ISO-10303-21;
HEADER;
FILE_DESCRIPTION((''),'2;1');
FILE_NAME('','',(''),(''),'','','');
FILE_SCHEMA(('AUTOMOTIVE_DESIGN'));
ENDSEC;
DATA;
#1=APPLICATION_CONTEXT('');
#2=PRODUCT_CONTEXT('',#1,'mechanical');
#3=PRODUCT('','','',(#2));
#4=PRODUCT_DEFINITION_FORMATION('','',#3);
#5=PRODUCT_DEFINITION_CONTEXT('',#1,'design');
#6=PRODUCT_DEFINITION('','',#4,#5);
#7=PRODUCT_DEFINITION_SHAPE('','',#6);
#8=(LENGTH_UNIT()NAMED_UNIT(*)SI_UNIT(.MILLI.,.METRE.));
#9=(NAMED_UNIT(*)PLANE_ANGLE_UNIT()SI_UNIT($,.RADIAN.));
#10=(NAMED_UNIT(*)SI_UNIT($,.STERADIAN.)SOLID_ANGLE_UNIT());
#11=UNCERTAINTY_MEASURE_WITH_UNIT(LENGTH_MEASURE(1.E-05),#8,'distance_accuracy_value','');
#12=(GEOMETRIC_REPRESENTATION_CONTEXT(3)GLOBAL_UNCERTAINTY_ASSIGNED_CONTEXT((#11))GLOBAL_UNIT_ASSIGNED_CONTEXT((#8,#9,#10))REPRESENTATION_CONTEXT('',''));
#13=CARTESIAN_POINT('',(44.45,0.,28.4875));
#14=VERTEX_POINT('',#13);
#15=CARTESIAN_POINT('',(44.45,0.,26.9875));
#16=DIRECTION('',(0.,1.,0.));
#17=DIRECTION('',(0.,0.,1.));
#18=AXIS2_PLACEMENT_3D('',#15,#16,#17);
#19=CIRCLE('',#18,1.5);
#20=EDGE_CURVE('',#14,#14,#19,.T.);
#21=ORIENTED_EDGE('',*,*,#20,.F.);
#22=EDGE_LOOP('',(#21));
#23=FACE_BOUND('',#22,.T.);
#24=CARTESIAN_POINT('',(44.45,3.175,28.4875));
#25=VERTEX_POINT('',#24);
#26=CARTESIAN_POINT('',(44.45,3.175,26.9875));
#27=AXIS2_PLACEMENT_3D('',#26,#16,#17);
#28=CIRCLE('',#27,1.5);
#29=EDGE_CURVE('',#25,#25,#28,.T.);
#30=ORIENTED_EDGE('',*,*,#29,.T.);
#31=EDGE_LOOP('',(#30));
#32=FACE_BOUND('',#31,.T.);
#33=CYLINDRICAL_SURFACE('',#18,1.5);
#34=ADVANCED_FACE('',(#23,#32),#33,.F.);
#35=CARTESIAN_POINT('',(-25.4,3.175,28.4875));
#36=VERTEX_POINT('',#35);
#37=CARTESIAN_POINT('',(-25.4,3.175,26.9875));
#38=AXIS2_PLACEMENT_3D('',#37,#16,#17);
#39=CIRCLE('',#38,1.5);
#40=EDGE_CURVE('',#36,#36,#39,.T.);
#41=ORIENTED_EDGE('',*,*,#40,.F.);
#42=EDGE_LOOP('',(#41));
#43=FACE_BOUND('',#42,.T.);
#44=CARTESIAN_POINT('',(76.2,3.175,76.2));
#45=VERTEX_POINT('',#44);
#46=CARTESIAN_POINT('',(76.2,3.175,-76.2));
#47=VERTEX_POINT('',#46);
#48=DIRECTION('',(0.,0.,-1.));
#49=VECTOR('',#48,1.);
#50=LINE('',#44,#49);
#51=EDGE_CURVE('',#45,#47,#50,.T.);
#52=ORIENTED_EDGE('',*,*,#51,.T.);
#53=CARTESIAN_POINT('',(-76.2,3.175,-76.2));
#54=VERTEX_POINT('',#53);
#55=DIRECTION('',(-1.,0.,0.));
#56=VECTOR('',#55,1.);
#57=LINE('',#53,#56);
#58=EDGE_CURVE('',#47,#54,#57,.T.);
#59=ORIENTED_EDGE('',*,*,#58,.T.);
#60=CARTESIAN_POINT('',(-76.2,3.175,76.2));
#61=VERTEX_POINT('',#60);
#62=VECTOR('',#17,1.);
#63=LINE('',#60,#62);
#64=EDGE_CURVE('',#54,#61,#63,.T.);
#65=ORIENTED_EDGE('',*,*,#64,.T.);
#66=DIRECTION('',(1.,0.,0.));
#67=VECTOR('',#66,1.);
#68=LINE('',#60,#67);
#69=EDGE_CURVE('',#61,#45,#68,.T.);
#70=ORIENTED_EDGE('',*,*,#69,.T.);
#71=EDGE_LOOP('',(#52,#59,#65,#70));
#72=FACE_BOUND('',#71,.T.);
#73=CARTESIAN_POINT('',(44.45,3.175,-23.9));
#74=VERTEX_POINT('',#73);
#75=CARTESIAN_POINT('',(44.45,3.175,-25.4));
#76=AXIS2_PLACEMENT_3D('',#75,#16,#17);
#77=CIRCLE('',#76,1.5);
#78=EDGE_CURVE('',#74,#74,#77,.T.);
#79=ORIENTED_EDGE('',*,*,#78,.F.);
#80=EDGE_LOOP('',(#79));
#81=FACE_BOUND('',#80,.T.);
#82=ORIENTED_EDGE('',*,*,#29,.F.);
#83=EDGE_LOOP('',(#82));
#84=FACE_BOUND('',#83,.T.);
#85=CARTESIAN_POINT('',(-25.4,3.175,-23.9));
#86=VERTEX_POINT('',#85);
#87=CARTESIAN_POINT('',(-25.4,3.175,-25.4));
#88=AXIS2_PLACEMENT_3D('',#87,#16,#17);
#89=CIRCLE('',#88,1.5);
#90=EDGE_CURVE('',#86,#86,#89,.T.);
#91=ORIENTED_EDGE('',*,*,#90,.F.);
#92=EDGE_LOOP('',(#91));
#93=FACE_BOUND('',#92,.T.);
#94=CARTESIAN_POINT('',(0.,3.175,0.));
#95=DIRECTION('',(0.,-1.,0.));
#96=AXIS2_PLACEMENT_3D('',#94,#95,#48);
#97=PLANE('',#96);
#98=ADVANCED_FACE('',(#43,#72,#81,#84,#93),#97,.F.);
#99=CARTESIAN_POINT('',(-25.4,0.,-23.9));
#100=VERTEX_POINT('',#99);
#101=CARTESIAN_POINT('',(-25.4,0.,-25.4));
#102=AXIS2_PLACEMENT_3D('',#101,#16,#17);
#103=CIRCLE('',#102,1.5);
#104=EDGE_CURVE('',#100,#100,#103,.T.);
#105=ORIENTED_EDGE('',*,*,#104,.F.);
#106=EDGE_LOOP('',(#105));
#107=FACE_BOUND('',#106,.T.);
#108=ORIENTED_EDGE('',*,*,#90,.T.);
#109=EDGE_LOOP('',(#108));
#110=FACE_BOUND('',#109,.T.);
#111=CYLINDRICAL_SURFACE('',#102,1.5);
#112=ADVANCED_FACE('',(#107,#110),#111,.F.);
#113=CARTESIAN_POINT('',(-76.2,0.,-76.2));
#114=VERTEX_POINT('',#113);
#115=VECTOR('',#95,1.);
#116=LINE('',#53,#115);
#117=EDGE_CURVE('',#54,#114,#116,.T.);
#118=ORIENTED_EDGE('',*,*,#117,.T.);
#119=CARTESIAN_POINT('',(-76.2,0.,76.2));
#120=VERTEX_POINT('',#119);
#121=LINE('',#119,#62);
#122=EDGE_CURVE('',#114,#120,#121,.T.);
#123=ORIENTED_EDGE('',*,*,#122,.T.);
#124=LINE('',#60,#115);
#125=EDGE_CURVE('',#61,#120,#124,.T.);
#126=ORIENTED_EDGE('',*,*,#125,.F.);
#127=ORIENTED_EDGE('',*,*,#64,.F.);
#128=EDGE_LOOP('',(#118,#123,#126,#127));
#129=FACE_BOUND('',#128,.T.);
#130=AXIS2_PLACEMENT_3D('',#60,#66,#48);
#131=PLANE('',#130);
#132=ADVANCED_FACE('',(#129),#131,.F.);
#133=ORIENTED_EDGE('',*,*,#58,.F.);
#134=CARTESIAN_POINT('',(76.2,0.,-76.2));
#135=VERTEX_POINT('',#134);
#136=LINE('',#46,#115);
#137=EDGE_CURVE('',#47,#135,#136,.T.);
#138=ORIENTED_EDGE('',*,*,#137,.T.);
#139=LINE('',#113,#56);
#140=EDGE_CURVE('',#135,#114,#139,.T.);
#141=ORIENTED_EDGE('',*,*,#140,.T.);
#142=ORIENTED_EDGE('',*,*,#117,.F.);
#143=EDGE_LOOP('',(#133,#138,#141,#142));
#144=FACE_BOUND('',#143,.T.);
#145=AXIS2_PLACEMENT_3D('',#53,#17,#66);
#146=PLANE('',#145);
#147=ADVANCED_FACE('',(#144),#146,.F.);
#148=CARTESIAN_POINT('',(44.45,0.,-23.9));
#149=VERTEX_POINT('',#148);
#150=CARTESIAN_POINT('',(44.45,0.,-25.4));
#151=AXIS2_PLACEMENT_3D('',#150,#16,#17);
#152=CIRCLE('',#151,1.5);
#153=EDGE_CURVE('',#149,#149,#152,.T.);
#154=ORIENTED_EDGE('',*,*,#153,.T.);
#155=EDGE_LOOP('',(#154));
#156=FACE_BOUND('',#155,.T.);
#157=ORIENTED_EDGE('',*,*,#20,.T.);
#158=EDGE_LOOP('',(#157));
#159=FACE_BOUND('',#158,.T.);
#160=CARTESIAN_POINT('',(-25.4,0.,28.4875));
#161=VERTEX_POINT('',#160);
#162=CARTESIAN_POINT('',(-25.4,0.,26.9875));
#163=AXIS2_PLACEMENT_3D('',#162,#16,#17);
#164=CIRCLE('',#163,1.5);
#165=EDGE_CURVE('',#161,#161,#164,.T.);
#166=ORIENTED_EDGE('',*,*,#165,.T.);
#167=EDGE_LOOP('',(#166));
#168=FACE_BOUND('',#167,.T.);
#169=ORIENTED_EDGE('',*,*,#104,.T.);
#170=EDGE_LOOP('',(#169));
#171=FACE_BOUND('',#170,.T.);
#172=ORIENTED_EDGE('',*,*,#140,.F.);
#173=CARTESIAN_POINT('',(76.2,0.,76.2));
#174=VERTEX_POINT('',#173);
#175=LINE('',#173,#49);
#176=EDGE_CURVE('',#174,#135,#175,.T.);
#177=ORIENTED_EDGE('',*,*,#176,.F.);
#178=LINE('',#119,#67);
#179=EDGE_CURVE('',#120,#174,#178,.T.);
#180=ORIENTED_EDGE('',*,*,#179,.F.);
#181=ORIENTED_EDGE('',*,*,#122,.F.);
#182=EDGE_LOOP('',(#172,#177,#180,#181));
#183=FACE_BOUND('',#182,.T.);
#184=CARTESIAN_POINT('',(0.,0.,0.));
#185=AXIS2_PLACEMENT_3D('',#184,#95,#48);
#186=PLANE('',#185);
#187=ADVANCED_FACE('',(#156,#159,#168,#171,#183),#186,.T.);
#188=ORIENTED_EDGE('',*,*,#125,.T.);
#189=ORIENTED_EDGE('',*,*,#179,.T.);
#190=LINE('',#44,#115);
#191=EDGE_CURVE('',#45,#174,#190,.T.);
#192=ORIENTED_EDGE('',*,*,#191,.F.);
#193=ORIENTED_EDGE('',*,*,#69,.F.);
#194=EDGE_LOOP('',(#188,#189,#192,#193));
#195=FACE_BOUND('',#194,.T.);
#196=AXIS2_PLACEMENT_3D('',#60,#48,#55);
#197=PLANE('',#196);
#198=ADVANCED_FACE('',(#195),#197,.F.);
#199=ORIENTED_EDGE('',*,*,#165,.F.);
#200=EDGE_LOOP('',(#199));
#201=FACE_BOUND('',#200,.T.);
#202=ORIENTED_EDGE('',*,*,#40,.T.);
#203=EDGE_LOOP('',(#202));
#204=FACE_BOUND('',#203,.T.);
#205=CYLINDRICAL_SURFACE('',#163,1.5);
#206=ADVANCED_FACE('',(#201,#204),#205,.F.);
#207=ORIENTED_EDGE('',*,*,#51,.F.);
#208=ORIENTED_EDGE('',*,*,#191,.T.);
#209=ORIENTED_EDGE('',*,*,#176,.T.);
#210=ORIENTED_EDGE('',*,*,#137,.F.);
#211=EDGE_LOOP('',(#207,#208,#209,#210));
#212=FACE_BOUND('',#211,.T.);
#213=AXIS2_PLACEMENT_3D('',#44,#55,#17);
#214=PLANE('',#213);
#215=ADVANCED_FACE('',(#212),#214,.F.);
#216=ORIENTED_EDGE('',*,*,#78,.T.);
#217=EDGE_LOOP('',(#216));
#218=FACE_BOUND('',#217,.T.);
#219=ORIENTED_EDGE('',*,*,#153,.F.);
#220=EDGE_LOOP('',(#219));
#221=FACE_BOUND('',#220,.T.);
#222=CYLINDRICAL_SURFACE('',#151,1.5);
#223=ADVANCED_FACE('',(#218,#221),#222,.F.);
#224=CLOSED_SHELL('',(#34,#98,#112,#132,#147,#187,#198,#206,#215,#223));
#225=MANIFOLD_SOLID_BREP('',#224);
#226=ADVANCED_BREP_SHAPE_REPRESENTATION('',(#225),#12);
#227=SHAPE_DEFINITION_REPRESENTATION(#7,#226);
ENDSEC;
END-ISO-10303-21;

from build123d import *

# Parameters (mm, degrees)
SKETCH1_W           = 152.4
SKETCH1_H           = 152.4
BOSS_EXTRUDE1_DEPTH = 3.175
SKETCH2_R           = 1.5
CUT_EXTRUDE1_DEPTH  = 108.809835474


with BuildPart() as part:
    # Sketch1 → Boss-Extrude1 (new body)
    with BuildSketch(Plane(origin=(0, 0, 0), x_dir=(1, 0, 0), z_dir=(0, 1, 0))):
        Rectangle(SKETCH1_W, SKETCH1_H)
    extrude(amount=BOSS_EXTRUDE1_DEPTH)

    # Sketch2 → Cut-Extrude1 (cut, through all)
    with BuildSketch(Plane(origin=(0, 3.175, 0), x_dir=(1, 0, 0), z_dir=(0, 1, 0))):
        with Locations(Location((-25.4, 25.4, 0), (0, 0, 270))):
            Circle(SKETCH2_R)
        with Locations(Location((-25.4, -26.9875, 0), (0, 0, 270))):
            Circle(SKETCH2_R)
        with Locations(Location((44.45, 25.4, 0), (0, 0, 270))):
            Circle(SKETCH2_R)
        with Locations(Location((44.45, -26.9875, 0), (0, 0, 270))):
            Circle(SKETCH2_R)
    extrude(amount=-CUT_EXTRUDE1_DEPTH, mode=Mode.SUBTRACT)


solid = part.part
